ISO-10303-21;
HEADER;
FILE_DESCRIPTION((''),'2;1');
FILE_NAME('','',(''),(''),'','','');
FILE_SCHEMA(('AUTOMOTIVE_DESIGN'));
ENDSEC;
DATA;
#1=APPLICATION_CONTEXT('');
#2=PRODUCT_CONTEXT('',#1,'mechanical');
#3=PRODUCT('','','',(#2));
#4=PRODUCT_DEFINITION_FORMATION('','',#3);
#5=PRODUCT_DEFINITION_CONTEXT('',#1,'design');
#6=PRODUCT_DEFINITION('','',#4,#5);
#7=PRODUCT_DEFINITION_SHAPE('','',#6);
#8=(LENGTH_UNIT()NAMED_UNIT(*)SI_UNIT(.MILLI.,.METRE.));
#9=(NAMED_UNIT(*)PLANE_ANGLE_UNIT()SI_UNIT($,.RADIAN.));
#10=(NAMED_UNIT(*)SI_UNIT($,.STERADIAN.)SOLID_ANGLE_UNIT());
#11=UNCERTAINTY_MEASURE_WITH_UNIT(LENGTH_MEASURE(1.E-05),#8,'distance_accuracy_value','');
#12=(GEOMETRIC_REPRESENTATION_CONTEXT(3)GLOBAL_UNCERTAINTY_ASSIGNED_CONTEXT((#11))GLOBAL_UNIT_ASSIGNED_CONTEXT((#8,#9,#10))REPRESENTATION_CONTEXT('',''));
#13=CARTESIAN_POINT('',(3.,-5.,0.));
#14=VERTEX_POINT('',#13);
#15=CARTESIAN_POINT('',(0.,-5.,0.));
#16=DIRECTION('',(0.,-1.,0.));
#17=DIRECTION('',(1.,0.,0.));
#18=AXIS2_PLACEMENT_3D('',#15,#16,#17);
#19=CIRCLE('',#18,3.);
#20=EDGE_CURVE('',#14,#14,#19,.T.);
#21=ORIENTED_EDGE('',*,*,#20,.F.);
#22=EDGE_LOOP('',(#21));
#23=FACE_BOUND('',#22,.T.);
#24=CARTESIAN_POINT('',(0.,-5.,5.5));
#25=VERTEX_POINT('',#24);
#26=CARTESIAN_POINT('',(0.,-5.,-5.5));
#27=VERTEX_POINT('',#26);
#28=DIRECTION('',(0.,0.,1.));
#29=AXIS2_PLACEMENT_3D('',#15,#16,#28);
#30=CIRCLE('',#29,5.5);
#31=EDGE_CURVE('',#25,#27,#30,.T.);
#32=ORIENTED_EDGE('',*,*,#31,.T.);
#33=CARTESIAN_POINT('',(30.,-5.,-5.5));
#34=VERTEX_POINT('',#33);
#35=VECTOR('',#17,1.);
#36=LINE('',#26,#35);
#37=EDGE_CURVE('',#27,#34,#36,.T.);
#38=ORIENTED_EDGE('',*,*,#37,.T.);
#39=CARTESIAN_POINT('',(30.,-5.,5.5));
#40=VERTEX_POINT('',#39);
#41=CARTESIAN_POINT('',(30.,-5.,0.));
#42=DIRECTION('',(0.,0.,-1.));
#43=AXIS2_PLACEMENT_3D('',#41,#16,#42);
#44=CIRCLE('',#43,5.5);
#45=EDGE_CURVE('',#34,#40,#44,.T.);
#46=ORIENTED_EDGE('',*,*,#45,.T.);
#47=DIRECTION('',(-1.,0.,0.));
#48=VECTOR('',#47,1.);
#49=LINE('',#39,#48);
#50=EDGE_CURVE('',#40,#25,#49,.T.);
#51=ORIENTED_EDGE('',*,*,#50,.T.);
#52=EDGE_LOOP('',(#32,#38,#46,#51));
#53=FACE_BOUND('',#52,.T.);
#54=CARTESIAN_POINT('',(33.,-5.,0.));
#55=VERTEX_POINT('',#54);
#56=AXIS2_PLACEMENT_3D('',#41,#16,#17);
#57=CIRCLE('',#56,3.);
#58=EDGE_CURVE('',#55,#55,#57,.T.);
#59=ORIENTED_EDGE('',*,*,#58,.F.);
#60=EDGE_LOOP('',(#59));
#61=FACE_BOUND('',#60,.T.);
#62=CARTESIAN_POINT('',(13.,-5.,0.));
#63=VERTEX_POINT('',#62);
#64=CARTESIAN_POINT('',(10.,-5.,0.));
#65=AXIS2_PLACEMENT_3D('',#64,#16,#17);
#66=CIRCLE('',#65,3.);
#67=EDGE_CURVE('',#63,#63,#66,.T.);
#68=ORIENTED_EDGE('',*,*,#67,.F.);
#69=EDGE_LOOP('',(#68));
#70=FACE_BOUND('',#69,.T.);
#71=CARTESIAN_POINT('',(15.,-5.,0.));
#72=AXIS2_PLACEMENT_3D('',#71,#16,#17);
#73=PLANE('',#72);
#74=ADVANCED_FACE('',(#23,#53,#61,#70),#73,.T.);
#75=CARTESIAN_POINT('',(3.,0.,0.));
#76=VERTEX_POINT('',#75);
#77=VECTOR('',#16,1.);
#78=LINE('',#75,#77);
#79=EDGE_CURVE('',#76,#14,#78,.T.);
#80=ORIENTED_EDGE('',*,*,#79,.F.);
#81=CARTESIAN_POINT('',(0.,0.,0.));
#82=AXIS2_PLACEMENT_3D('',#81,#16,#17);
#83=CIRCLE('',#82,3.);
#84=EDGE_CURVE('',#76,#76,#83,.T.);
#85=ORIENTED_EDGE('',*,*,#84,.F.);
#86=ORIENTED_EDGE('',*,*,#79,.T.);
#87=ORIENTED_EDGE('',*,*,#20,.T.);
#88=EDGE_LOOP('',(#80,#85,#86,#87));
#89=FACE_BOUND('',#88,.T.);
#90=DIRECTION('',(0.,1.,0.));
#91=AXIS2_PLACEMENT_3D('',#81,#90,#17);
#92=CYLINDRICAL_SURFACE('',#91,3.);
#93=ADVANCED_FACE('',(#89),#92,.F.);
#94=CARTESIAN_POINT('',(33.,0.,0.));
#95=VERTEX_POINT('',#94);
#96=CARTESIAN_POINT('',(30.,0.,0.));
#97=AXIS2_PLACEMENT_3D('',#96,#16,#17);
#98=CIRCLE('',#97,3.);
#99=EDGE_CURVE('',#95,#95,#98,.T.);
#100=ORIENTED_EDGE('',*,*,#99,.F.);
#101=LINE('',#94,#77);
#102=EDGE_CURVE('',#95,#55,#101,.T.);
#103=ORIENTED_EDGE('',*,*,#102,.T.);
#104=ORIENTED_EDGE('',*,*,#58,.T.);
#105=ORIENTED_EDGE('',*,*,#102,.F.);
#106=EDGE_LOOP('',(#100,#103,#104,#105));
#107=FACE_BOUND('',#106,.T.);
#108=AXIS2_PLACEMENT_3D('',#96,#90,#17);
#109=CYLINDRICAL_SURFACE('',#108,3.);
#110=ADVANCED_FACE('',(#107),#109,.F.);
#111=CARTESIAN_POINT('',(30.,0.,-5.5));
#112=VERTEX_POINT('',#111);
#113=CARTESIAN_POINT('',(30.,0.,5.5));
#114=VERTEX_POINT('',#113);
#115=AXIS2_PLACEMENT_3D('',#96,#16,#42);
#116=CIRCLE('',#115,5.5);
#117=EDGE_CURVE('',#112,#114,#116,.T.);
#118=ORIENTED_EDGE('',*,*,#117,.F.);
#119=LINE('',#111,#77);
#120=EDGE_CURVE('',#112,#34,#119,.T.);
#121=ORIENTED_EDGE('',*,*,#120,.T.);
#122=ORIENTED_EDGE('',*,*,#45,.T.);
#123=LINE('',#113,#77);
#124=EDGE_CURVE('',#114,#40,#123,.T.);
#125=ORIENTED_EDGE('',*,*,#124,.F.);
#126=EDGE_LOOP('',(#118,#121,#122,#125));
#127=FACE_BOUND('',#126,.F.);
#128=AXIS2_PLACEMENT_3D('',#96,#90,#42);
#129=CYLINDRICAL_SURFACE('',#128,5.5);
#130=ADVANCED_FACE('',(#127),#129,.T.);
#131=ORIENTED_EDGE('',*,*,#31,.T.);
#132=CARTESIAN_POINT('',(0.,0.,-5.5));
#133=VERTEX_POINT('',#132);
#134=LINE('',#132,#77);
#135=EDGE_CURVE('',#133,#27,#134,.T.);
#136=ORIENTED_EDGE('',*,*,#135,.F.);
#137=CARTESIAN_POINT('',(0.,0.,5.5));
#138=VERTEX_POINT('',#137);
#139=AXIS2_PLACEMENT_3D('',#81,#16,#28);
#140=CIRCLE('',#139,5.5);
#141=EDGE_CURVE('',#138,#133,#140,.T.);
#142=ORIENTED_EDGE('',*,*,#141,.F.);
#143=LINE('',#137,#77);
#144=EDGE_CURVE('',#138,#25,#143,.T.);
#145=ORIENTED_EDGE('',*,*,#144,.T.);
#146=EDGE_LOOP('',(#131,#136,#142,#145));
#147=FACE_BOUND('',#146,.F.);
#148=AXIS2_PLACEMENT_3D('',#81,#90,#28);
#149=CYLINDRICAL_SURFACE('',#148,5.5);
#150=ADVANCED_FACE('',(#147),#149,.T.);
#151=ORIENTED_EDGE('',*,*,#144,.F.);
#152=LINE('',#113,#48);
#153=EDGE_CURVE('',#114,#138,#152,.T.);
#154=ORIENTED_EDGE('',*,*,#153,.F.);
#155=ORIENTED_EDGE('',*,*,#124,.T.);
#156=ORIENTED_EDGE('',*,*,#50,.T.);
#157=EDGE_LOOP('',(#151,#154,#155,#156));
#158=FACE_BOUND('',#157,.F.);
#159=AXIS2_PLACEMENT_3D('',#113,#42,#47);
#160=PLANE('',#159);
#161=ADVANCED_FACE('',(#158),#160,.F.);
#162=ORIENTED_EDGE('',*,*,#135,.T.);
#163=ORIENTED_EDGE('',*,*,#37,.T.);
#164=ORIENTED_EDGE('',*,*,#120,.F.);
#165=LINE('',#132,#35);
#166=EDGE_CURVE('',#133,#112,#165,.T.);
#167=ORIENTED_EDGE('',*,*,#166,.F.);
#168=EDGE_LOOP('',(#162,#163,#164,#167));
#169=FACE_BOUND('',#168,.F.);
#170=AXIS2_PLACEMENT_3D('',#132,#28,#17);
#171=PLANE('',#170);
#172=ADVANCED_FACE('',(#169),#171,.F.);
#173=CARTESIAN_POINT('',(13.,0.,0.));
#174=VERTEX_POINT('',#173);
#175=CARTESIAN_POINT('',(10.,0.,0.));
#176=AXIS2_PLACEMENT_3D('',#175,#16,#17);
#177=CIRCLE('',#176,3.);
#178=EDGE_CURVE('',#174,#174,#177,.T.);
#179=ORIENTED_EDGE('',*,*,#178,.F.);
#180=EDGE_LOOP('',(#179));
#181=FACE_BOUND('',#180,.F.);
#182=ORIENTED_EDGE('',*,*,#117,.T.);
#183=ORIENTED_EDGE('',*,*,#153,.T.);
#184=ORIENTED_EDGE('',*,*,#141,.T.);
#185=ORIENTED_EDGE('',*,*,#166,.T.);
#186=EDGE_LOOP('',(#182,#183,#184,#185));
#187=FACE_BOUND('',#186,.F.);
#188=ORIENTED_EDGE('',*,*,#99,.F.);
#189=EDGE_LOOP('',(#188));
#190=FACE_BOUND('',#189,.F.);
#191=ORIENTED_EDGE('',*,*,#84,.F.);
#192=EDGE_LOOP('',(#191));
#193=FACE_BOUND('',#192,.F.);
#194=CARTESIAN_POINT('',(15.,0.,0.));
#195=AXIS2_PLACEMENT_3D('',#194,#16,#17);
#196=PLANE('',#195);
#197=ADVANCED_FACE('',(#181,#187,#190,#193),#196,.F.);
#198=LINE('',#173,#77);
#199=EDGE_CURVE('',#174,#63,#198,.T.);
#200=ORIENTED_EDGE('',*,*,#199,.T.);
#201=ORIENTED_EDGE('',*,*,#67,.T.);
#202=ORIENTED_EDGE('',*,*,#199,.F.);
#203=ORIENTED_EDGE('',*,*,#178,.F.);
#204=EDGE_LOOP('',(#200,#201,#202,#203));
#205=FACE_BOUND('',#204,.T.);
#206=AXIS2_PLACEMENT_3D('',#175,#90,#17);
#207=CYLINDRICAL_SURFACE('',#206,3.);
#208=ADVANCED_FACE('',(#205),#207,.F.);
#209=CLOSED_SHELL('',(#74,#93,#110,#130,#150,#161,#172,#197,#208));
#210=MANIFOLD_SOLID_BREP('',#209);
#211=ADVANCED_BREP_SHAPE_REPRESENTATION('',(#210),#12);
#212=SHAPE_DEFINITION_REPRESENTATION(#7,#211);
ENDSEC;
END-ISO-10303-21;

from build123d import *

# Parameters (mm, degrees)
F0_R     = 3
F1_DEPTH = 5


with BuildPart() as f1:
    # F0 (on Front) → F1 (new body)
    with BuildSketch(Plane.XZ):
        with BuildLine():
            Line((30, 5.5), (0, 5.5))
            ThreePointArc((0, 5.5), (-5.5, 0), (0, -5.5))
            Line((0, -5.5), (30, -5.5))
            ThreePointArc((30, -5.5), (35.5, 0), (30, 5.5))
        make_face()
        Circle(F0_R, mode=Mode.SUBTRACT)
        with Locations((10, 0)):
            Circle(F0_R, mode=Mode.SUBTRACT)
        with Locations((30, 0)):
            Circle(F0_R, mode=Mode.SUBTRACT)
    extrude(amount=F1_DEPTH)


solid = f1.part
